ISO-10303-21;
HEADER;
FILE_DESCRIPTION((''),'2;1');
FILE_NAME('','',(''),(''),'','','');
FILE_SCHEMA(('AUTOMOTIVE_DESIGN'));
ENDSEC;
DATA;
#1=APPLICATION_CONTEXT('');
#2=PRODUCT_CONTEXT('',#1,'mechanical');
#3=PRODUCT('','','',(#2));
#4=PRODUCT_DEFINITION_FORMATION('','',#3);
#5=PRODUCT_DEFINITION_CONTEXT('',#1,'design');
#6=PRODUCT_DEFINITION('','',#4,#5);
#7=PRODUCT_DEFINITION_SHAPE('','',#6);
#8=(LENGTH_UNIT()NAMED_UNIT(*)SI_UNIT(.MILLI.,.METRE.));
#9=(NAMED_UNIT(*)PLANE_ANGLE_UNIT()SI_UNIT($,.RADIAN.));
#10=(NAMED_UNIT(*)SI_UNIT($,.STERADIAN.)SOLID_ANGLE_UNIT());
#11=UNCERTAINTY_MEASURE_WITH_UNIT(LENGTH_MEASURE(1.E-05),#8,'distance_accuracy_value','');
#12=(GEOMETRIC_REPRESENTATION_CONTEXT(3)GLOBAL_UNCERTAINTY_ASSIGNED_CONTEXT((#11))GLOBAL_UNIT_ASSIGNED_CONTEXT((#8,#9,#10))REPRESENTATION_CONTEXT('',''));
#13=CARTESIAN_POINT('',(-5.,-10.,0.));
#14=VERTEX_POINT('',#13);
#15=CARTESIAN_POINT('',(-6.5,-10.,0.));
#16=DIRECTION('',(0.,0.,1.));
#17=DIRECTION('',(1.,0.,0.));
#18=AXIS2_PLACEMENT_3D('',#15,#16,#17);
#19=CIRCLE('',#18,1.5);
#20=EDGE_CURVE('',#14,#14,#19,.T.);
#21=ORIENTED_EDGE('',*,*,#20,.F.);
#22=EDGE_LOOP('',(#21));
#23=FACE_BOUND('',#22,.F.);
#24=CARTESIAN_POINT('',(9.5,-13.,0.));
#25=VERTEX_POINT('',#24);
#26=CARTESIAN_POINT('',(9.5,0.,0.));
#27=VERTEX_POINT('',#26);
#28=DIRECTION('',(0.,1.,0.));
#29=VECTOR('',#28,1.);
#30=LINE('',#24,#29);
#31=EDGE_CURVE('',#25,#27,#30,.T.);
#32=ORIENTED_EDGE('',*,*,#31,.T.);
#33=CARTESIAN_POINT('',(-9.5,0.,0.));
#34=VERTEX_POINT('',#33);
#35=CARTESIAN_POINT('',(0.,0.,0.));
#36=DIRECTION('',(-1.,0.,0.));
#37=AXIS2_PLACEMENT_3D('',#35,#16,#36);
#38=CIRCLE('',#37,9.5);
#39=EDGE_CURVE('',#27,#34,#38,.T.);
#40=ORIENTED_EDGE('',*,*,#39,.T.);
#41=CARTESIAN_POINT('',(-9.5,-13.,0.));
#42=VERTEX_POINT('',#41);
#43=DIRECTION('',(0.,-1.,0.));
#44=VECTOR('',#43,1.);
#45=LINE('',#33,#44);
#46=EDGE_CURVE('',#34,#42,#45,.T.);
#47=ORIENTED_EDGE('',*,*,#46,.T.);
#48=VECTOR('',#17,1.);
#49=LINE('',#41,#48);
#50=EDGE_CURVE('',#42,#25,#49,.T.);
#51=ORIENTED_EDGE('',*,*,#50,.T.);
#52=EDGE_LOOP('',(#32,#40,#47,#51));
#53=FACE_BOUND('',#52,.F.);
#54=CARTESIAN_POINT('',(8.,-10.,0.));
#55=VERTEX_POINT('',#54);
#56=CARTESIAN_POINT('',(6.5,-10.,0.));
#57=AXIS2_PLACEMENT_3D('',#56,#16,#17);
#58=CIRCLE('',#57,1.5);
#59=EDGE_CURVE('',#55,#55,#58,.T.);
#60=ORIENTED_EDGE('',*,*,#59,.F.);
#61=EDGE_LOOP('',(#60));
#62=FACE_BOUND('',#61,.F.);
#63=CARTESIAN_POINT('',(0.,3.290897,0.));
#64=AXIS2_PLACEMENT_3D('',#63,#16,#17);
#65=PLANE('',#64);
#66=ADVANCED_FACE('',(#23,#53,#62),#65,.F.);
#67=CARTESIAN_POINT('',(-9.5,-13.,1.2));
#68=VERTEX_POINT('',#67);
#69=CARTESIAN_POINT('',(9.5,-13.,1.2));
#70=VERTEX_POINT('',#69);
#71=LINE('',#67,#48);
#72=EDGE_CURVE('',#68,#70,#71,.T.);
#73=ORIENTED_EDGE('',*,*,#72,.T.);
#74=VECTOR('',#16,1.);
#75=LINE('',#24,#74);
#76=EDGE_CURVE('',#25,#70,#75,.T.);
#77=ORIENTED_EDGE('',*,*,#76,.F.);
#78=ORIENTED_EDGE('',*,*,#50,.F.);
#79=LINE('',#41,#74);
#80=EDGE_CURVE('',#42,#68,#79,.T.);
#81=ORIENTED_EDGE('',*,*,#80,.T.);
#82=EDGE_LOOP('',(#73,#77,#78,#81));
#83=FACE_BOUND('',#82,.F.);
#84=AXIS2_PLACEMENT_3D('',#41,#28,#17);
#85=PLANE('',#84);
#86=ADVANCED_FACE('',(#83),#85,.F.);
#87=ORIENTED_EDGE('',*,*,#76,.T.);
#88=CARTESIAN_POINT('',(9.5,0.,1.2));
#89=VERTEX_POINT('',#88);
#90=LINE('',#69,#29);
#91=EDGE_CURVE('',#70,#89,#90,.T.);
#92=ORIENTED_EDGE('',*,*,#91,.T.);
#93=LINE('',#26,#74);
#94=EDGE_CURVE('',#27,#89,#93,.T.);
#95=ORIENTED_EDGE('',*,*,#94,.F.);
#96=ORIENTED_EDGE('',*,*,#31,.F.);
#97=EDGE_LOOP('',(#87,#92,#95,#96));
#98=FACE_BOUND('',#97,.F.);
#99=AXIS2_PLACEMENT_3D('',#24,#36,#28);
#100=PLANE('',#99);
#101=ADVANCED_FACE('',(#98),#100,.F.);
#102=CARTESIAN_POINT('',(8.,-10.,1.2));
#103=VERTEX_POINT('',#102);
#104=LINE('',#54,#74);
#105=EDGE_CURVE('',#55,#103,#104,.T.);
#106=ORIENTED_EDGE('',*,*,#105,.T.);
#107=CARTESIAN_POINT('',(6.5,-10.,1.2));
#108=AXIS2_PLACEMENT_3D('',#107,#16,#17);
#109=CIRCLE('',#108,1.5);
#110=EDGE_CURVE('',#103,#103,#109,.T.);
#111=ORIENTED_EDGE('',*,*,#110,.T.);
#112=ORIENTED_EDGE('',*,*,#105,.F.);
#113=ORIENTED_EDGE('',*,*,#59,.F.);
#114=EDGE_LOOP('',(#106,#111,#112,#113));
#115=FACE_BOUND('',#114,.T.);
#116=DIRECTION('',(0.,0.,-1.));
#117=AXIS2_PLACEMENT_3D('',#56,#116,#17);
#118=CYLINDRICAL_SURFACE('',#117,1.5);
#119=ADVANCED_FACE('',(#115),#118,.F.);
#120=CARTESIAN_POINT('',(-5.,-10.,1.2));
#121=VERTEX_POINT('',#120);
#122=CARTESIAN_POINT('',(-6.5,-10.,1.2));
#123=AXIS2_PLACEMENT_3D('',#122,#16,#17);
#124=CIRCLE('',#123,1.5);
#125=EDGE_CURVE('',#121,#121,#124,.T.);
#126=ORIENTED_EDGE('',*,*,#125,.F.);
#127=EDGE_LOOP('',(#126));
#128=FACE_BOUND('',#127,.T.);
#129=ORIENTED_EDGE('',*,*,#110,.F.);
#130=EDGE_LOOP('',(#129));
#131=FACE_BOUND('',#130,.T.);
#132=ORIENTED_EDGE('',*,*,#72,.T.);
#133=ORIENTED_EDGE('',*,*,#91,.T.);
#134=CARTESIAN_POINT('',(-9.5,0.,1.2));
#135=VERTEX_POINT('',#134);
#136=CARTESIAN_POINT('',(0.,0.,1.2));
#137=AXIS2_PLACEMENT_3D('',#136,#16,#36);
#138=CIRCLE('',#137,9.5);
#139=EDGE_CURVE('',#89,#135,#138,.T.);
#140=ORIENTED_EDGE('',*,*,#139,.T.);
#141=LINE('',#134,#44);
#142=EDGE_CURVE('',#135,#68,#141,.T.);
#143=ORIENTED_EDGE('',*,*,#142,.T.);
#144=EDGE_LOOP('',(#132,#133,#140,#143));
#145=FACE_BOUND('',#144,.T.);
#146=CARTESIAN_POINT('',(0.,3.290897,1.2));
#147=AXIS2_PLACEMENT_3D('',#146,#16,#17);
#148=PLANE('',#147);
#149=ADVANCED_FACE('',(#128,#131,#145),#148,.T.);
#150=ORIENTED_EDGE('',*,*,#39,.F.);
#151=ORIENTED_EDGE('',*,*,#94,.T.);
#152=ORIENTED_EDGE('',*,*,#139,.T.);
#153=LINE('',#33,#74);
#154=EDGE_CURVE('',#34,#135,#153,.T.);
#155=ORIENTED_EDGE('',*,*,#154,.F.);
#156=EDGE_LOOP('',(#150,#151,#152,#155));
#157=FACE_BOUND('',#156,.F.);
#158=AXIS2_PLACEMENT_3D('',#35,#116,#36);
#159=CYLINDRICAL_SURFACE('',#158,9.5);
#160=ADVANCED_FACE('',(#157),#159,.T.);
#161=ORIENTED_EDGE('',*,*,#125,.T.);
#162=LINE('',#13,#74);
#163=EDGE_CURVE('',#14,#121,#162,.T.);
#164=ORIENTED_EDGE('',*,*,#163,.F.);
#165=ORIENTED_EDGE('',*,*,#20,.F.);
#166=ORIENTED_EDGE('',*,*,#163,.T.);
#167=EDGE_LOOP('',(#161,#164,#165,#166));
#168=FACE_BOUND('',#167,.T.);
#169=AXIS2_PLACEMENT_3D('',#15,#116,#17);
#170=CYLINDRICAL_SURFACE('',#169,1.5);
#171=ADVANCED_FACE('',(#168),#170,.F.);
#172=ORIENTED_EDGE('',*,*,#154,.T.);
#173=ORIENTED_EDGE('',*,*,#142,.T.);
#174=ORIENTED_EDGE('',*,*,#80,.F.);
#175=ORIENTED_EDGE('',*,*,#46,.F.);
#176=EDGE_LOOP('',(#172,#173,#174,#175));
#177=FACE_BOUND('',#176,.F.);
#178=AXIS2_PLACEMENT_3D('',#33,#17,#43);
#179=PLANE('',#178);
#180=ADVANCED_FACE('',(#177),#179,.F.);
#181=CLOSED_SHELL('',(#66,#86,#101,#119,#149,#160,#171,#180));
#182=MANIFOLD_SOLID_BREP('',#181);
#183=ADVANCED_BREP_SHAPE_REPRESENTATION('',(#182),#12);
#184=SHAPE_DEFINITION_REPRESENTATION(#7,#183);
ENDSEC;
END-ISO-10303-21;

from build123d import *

# Parameters (mm, degrees)
F0_R     = 1.5
F1_DEPTH = 1.2


with BuildPart() as f1:
    # F0 (on Top) → F1 (new body)
    with BuildSketch(Plane.XY):
        with BuildLine():
            Line((-9.5, 0), (9.5, 0))
            ThreePointArc((9.5, 0), (0, 9.5), (-9.5, 0))
        make_face()
        with BuildLine():
            ThreePointArc((-9.5, 0), (0, -9.5), (9.5, 0))
            Line((9.5, 0), (-9.5, 0))
        make_face()
        with BuildLine():
            Line((9.5, -13), (9.5, 0))
            ThreePointArc((9.5, 0), (0, -9.5), (-9.5, 0))
            Line((-9.5, 0), (-9.5, -13))
            Line((-9.5, -13), (9.5, -13))
        make_face()
        with Locations((-6.5, -10)):
            Circle(F0_R, mode=Mode.SUBTRACT)
        with Locations((6.5, -10)):
            Circle(F0_R, mode=Mode.SUBTRACT)
    extrude(amount=F1_DEPTH)


solid = f1.part
